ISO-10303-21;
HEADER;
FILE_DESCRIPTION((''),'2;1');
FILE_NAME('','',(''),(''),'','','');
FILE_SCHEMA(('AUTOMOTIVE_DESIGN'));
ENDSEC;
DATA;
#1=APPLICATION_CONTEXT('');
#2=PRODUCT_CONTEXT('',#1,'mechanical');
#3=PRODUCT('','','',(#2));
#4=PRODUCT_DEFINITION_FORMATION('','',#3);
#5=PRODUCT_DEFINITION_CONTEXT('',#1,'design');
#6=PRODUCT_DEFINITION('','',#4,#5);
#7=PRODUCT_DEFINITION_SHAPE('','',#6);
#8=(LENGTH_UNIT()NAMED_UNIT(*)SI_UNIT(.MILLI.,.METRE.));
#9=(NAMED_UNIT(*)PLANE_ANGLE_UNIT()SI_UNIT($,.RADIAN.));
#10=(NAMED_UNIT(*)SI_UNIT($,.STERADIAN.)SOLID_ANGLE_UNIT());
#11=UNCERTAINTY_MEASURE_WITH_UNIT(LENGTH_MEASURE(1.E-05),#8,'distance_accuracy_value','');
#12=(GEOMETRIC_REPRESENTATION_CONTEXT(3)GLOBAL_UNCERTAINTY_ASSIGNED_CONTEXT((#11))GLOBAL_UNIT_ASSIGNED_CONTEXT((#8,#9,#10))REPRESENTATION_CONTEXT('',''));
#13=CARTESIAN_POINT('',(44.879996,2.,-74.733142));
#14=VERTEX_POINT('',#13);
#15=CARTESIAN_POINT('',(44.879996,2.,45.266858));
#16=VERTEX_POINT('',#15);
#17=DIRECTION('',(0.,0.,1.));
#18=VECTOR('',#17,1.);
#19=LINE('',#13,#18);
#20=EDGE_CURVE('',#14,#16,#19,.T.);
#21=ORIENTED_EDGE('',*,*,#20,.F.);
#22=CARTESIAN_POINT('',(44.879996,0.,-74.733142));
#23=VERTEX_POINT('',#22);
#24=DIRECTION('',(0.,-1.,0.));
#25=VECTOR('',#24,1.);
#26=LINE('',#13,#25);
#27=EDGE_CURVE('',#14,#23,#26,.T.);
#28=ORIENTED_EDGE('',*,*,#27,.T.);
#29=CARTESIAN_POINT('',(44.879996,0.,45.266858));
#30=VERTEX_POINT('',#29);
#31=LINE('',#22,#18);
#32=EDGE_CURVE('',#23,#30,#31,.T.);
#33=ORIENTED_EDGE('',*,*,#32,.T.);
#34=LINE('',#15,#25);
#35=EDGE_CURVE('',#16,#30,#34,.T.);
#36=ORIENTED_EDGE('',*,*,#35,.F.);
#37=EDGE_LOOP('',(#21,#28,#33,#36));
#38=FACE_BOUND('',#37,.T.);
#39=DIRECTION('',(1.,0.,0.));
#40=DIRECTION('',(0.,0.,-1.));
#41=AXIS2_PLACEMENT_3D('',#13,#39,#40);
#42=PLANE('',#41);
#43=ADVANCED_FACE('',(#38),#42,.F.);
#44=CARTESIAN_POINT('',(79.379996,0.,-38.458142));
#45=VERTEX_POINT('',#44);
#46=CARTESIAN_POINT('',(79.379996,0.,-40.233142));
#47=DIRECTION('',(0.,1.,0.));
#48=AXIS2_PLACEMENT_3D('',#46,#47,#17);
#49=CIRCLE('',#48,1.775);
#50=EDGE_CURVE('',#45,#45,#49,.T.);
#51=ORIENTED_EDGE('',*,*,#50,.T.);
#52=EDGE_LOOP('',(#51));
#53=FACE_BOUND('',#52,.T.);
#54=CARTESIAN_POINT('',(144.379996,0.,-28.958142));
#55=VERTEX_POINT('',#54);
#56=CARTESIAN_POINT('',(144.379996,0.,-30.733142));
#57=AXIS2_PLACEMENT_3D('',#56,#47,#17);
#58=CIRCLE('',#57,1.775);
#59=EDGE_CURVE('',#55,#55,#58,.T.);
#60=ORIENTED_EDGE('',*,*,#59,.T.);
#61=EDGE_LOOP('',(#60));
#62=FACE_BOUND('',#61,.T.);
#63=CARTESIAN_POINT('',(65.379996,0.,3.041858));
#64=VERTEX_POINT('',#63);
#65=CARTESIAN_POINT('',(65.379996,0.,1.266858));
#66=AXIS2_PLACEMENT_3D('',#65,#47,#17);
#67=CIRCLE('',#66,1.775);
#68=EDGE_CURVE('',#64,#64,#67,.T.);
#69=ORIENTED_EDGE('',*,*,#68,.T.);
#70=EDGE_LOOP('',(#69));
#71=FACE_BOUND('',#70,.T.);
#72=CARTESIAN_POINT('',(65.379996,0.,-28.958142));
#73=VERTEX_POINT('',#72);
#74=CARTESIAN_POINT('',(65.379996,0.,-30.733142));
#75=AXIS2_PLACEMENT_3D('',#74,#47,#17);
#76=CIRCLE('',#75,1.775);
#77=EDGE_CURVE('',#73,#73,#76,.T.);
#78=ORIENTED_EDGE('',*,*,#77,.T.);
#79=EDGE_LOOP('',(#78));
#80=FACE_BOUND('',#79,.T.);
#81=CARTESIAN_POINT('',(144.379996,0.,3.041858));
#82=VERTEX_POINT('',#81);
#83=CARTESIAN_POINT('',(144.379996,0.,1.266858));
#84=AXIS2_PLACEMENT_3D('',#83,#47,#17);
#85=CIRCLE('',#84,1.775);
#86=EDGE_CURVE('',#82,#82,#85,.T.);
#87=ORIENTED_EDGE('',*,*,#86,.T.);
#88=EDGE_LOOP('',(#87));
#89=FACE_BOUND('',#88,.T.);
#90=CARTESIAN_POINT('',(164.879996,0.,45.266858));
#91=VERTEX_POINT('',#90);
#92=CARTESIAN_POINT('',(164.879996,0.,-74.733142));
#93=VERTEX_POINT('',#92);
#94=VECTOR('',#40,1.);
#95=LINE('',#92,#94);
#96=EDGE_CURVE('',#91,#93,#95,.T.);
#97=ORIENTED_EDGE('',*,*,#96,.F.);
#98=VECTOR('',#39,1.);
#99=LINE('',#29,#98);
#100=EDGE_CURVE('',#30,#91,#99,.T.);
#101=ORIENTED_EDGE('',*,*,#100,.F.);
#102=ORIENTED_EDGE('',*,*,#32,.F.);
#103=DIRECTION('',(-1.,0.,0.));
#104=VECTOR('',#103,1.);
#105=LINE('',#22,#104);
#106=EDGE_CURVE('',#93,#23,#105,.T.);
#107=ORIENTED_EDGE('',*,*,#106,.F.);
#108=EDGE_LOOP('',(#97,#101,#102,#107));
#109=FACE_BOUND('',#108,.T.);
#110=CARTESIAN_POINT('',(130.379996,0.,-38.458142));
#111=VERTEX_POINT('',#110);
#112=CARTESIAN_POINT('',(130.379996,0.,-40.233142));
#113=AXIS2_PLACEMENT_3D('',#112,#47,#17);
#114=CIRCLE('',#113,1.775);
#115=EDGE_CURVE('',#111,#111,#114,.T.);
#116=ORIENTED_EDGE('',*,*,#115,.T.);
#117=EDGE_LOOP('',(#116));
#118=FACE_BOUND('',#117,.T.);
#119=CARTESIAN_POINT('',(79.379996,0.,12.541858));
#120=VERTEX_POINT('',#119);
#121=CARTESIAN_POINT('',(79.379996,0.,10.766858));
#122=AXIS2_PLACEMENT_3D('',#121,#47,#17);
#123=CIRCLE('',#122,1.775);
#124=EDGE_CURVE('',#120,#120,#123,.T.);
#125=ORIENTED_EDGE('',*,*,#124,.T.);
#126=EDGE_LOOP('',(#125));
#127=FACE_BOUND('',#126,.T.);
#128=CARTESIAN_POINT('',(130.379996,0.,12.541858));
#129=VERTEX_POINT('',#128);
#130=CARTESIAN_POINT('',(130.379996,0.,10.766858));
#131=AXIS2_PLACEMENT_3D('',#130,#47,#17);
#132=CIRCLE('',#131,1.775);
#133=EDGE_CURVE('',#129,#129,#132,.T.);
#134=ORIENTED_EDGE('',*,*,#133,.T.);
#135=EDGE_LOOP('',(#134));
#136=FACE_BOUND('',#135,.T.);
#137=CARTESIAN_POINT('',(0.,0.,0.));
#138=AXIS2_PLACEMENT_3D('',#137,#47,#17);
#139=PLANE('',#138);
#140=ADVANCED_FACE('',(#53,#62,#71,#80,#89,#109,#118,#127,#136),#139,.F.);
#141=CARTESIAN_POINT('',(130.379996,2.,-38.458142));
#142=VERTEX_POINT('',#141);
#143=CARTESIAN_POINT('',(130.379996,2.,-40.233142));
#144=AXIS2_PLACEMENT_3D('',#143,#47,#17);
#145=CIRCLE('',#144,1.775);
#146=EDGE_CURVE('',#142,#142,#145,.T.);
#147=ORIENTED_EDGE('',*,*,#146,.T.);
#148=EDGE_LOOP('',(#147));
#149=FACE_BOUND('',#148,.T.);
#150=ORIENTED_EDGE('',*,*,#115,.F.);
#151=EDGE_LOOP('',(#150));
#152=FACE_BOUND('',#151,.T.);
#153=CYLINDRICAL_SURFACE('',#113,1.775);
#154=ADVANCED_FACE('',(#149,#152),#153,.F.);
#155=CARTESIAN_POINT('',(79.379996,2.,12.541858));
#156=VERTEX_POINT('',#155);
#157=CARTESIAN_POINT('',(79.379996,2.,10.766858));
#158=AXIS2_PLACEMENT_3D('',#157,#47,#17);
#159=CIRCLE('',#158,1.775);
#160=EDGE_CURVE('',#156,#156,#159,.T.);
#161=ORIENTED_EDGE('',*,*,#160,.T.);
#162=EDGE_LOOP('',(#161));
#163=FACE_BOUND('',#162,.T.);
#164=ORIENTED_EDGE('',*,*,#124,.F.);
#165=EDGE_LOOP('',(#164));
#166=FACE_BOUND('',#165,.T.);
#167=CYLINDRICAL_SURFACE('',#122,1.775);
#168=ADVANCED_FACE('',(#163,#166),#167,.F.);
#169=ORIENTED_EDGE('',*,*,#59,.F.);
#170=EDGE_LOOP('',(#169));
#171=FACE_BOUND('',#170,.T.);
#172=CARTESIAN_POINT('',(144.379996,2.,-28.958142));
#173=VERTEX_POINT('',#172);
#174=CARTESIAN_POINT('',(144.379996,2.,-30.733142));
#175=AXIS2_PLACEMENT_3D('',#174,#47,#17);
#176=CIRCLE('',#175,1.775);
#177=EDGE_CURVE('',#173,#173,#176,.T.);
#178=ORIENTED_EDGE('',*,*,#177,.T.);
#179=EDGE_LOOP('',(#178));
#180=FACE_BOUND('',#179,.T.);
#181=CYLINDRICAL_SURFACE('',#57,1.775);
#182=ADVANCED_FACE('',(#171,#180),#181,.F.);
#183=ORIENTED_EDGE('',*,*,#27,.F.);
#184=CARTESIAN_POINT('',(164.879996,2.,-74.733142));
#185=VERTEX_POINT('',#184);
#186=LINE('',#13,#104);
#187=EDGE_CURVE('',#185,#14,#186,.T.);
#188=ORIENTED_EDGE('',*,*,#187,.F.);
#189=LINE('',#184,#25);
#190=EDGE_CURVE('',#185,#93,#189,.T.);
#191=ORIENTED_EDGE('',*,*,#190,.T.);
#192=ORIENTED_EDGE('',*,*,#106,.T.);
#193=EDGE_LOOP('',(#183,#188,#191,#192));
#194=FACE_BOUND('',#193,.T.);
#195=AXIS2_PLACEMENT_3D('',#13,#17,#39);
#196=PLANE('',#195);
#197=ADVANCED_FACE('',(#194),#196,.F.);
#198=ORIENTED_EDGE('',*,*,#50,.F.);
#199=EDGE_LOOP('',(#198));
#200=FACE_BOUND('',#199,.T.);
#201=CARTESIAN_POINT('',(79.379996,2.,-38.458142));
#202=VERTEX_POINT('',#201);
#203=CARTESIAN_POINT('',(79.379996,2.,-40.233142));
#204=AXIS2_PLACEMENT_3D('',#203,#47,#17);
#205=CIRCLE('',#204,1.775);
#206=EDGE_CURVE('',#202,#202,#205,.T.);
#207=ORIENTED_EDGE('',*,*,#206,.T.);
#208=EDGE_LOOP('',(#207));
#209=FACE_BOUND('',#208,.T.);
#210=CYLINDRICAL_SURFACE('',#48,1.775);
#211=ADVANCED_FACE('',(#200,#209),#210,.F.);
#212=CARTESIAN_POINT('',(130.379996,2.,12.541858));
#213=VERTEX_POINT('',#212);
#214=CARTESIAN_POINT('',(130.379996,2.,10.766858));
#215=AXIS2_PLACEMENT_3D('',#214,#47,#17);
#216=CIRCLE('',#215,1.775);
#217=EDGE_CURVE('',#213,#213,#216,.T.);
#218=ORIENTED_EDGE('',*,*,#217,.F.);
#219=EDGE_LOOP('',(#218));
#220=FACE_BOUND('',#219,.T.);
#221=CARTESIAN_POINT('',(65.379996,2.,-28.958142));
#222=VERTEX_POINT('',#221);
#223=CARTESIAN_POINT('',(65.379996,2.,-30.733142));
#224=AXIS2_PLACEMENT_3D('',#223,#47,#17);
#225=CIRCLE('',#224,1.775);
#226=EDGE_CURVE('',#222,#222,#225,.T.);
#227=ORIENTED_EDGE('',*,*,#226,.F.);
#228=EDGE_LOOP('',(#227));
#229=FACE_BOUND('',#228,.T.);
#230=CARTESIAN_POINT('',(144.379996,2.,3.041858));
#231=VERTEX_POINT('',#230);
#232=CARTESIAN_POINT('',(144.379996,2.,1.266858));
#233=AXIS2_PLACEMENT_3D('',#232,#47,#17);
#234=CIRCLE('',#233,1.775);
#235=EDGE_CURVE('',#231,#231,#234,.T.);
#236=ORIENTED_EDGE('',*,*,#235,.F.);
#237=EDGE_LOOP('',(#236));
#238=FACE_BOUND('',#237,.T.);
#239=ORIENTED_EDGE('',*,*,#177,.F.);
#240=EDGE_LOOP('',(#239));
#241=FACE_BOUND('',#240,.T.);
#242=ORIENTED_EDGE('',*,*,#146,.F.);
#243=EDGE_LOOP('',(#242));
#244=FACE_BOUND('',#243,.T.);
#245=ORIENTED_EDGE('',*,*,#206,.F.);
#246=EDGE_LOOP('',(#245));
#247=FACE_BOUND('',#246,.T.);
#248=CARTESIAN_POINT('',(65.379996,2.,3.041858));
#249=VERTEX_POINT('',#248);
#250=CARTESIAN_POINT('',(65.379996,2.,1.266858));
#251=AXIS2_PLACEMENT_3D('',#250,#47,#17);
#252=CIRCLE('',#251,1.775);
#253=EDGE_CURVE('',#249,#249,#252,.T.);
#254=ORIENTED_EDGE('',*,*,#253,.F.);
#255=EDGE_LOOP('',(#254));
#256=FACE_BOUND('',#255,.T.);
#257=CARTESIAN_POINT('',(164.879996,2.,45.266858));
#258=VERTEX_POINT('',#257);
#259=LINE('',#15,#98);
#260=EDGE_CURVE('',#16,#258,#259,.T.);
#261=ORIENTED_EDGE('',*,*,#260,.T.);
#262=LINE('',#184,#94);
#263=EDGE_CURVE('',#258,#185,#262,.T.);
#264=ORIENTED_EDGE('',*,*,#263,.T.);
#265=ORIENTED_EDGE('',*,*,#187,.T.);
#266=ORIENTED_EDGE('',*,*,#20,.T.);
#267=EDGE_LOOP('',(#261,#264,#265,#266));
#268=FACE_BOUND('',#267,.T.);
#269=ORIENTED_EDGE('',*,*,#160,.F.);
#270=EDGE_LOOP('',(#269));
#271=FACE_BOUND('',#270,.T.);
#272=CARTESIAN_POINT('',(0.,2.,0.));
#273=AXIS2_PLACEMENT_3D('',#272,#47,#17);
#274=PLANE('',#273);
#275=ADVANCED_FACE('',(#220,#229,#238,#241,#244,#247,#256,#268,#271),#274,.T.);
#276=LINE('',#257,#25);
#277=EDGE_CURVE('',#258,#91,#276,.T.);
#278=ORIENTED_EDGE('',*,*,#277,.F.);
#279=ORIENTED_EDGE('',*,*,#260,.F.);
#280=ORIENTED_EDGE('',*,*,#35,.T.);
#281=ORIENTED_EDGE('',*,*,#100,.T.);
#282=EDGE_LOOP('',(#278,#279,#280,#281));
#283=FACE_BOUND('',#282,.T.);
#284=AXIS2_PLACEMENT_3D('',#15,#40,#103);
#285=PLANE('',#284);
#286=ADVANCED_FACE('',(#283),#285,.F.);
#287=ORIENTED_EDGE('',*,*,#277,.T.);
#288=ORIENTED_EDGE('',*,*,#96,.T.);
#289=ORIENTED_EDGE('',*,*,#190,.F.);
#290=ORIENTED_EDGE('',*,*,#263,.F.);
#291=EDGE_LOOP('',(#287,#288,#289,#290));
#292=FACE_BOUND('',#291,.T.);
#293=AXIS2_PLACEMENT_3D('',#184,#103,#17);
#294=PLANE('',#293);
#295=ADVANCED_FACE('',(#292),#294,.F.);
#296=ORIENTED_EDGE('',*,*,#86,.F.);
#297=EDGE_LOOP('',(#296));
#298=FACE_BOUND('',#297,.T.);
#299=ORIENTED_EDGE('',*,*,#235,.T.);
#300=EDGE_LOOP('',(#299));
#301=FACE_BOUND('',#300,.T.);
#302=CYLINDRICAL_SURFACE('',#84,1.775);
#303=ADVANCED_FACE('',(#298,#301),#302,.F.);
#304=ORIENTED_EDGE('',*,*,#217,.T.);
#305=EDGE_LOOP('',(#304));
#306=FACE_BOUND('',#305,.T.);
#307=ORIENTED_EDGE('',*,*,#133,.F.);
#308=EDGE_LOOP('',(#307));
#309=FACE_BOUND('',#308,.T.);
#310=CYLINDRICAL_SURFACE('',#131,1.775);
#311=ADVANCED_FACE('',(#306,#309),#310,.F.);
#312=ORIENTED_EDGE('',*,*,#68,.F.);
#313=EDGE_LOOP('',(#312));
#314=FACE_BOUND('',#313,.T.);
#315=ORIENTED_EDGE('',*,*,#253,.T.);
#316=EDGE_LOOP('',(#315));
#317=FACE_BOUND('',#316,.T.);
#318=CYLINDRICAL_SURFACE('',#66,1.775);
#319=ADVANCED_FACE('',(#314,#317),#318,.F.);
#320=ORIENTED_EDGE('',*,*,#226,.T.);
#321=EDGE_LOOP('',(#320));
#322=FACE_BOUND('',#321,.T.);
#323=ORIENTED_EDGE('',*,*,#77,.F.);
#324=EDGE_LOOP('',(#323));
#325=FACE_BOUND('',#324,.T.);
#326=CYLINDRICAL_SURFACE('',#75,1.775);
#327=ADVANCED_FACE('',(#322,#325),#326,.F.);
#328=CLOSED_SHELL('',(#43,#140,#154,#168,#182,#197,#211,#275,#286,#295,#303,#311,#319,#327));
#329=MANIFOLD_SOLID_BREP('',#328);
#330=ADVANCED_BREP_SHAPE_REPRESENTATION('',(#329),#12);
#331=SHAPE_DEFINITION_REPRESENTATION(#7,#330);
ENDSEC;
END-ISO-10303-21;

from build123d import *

# Parameters (mm, degrees)
SKETCH1_W           = 120
SKETCH1_H           = 120
BOSS_EXTRUDE1_DEPTH = 2
SKETCH2_R           = 1.775
CUT_EXTRUDE1_DEPTH  = 182.037166061
SKETCH3_R           = 1.775
CUT_EXTRUDE2_DEPTH  = 182.037166061


with BuildPart() as part:
    # Sketch1 → Boss-Extrude1 (new body)
    with BuildSketch(Plane(origin=(0, 0, 0), x_dir=(1, 0, 0), z_dir=(0, 1, 0))):
        with Locations((104.879995502, 14.733142437)):
            Rectangle(SKETCH1_W, SKETCH1_H)
    extrude(amount=BOSS_EXTRUDE1_DEPTH)

    # Sketch2 → Cut-Extrude1 (cut, through all)
    with BuildSketch(Plane(origin=(0, 2, 0), x_dir=(1, 0, 0), z_dir=(0, 1, 0))):
        with Locations(Location((65.379995502, 30.733142437, 0), (0, 0, 270))):
            Circle(SKETCH2_R)
        with Locations(Location((65.379995502, -1.266857563, 0), (0, 0, 270))):
            Circle(SKETCH2_R)
        with Locations(Location((144.379995502, -1.266857563, 0), (0, 0, 270))):
            Circle(SKETCH2_R)
        with Locations(Location((144.379995502, 30.733142437, 0), (0, 0, 270))):
            Circle(SKETCH2_R)
    extrude(amount=-CUT_EXTRUDE1_DEPTH, mode=Mode.SUBTRACT)

    # Sketch3 → Cut-Extrude2 (cut, through all)
    with BuildSketch(Plane(origin=(0, 2, 0), x_dir=(1, 0, 0), z_dir=(0, 1, 0))):
        with Locations(Location((79.379995502, -10.766857563, 0), (0, 0, 270))):
            Circle(SKETCH3_R)
        with Locations(Location((79.379995502, 40.233142437, 0), (0, 0, 270))):
            Circle(SKETCH3_R)
        with Locations(Location((130.379995502, -10.766857563, 0), (0, 0, 270))):
            Circle(SKETCH3_R)
        with Locations(Location((130.379995502, 40.233142437, 0), (0, 0, 270))):
            Circle(SKETCH3_R)
    extrude(amount=-CUT_EXTRUDE2_DEPTH, mode=Mode.SUBTRACT)


solid = part.part
